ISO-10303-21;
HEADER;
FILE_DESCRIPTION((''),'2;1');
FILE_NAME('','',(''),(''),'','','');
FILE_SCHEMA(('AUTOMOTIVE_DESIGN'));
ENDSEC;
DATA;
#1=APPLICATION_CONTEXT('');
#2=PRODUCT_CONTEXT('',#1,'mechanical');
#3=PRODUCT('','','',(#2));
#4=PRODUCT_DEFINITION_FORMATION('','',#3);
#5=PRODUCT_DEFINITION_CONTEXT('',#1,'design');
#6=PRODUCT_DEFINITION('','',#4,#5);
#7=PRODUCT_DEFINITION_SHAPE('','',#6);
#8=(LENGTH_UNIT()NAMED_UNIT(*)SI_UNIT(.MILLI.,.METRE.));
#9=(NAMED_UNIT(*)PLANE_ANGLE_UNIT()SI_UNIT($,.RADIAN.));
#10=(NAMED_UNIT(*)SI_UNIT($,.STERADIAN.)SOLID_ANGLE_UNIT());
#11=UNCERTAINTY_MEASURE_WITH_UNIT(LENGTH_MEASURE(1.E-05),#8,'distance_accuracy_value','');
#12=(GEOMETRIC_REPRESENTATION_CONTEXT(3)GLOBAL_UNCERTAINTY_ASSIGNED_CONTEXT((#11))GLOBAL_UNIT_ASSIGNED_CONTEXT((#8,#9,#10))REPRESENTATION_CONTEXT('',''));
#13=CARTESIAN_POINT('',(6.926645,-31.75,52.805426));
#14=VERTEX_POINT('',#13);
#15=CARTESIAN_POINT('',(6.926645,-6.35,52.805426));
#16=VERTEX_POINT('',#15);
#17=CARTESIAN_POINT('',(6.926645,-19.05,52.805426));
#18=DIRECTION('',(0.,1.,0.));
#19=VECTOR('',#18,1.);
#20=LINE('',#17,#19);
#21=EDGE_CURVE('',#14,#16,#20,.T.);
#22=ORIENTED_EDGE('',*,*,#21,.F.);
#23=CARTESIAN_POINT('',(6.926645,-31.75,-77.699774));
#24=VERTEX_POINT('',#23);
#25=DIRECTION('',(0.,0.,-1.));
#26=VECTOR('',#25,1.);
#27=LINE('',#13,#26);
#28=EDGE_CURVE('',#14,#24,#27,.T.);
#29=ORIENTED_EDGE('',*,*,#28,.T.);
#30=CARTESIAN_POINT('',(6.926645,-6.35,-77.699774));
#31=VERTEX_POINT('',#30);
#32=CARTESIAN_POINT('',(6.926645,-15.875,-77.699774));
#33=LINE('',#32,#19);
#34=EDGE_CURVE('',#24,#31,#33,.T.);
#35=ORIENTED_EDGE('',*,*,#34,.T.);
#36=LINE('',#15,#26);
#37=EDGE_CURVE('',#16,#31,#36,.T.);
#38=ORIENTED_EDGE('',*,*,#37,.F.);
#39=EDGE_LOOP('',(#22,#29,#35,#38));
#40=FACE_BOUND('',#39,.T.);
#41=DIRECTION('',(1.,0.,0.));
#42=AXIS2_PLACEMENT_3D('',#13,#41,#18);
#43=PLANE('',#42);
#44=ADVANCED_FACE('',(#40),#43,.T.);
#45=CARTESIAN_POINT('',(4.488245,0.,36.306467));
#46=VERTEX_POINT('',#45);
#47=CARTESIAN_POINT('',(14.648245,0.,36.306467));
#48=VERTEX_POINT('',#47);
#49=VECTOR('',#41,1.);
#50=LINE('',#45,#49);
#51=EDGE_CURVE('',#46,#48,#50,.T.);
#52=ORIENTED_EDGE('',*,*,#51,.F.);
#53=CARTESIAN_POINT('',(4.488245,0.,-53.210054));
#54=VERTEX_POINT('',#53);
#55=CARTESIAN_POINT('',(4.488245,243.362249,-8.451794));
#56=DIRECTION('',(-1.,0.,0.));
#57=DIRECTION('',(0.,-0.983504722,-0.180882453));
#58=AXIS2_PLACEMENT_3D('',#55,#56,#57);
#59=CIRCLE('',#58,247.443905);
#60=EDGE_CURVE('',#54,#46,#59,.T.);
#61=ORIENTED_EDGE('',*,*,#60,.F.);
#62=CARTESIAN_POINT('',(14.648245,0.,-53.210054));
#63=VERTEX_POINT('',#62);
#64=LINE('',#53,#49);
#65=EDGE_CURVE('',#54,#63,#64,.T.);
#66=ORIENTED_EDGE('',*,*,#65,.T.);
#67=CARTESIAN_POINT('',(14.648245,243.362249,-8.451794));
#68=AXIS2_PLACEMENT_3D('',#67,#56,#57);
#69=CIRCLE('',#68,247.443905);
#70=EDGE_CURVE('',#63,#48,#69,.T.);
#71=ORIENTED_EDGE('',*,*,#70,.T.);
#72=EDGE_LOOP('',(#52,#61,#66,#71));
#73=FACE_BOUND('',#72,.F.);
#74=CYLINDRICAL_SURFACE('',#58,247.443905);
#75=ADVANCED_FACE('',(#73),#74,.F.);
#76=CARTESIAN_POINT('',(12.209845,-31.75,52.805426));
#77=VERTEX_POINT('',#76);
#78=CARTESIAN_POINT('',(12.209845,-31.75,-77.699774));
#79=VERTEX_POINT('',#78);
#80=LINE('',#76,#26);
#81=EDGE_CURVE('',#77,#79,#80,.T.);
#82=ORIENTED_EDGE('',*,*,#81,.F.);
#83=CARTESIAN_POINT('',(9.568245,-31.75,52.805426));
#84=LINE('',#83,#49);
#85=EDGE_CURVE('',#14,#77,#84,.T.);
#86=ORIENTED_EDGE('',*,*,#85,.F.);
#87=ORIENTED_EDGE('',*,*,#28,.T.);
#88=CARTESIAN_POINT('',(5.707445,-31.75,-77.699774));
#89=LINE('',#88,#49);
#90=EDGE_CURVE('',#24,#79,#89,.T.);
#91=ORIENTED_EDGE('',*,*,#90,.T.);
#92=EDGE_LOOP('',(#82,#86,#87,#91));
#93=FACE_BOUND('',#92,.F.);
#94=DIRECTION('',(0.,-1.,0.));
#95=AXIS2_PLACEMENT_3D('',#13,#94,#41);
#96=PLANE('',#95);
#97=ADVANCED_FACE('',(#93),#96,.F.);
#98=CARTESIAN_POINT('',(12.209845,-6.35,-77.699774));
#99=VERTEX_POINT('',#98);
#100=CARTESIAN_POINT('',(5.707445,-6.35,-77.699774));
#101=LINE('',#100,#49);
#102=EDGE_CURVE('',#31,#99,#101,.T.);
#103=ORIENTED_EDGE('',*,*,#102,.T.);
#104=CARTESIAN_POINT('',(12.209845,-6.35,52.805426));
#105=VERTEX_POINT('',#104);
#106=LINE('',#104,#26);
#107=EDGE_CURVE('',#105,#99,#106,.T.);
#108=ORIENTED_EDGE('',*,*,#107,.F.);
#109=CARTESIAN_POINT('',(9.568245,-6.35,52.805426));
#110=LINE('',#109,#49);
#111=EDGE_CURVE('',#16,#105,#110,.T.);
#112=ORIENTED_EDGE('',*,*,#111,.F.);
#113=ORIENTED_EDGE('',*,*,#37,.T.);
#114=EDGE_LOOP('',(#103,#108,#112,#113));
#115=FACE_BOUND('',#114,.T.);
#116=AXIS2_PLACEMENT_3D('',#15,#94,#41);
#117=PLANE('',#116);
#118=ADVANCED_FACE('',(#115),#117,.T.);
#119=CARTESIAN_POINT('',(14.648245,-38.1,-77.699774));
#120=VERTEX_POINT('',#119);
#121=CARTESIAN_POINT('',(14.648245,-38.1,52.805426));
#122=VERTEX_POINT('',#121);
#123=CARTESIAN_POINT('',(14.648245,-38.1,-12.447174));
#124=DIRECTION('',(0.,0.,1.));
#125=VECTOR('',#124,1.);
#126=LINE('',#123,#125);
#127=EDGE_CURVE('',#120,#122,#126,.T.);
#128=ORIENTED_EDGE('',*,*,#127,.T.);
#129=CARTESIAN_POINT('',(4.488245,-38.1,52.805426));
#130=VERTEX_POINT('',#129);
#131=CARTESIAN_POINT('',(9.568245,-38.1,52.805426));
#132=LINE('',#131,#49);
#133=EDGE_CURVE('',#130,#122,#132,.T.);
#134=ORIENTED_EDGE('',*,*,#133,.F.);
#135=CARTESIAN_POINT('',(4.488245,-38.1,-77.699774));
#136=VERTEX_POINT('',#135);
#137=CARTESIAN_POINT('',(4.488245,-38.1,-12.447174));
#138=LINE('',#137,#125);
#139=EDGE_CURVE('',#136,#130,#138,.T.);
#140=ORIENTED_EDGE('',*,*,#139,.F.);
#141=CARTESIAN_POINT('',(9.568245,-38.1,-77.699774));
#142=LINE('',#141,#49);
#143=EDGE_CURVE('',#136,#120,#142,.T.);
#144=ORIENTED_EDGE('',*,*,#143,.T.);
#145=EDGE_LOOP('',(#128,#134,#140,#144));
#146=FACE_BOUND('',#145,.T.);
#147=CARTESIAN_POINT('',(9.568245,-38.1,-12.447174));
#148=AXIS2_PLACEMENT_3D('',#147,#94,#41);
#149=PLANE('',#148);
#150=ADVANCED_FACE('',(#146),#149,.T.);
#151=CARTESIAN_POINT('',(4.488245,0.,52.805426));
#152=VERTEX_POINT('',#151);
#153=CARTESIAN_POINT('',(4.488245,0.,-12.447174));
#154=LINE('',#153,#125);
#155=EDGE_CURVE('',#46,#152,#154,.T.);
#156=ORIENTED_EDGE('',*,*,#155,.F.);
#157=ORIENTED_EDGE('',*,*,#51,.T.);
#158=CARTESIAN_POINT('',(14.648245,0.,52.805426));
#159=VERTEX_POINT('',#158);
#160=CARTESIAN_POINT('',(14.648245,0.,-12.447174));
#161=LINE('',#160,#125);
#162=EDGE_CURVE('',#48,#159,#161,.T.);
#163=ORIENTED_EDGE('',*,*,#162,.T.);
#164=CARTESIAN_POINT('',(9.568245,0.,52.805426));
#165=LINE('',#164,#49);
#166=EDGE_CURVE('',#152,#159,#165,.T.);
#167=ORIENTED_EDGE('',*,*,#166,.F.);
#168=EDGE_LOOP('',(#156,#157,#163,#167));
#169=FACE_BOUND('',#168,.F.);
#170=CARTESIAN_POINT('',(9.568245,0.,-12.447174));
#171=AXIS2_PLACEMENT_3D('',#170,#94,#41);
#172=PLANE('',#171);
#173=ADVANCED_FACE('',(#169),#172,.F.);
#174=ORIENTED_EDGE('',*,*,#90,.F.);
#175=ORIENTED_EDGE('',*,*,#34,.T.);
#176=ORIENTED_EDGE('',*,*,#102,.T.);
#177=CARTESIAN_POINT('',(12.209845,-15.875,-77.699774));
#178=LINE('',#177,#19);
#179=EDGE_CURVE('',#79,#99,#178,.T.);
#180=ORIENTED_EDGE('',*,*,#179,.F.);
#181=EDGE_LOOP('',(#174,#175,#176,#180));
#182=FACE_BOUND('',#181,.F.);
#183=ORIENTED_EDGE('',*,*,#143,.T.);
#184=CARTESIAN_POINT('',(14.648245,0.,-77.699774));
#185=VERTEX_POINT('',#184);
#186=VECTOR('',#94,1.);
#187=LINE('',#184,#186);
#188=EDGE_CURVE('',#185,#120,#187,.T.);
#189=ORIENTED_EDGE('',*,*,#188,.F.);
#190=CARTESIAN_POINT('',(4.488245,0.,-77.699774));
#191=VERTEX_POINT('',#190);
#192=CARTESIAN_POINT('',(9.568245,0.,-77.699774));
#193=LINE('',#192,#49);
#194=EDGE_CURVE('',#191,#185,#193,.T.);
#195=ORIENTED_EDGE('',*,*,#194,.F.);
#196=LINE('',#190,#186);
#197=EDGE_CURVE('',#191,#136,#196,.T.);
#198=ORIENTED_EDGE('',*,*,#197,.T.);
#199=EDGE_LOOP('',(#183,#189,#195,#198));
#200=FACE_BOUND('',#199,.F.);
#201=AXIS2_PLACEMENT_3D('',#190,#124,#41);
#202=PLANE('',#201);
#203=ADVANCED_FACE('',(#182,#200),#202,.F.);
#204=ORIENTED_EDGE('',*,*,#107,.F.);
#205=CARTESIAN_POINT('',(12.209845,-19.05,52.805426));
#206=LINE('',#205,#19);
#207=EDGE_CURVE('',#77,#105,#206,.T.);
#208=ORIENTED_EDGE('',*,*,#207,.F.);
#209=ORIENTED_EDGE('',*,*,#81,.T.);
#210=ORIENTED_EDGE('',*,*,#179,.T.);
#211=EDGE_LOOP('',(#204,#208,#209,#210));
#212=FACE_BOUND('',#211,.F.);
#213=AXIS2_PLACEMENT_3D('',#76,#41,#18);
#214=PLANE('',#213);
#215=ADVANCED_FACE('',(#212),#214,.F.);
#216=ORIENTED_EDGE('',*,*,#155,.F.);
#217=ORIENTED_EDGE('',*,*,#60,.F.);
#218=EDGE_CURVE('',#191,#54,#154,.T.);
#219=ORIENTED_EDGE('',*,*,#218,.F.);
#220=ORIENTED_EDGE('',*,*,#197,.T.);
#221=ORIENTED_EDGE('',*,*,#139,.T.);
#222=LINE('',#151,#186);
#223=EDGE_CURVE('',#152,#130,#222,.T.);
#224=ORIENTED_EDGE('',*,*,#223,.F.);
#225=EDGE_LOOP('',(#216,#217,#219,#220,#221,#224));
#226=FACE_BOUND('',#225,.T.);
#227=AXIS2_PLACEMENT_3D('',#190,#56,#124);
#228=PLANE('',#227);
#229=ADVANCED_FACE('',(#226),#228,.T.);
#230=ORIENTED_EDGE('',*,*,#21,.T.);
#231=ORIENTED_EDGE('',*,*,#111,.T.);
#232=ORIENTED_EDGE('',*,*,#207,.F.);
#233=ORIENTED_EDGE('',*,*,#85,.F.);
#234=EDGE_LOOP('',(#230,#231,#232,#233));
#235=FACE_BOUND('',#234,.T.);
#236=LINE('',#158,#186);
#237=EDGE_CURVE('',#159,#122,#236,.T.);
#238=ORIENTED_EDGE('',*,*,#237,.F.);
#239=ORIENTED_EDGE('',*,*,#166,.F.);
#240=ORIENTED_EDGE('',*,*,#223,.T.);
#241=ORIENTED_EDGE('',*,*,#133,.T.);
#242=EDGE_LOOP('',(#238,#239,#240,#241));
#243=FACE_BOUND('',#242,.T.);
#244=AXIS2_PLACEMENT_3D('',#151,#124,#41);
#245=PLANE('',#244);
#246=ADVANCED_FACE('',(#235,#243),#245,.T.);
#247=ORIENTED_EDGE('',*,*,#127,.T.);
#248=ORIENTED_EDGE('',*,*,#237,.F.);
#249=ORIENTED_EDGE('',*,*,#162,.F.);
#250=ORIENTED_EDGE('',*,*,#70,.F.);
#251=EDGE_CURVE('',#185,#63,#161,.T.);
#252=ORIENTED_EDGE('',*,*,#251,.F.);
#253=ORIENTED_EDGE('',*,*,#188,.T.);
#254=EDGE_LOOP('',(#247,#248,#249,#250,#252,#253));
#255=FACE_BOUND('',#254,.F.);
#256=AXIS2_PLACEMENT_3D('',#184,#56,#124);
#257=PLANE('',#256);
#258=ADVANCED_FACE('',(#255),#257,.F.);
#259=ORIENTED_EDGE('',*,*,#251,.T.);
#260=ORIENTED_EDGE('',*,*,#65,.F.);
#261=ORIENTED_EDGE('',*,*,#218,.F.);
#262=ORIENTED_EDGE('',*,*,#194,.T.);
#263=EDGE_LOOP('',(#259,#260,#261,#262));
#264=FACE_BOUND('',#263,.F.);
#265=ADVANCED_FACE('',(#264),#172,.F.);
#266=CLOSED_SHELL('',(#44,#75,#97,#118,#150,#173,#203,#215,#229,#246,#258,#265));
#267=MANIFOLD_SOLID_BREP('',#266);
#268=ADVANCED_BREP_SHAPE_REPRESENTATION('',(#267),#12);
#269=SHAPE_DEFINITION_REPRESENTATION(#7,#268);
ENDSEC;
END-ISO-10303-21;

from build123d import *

# Parameters (mm, degrees)
F0_W     = 10.16
F0_H     = 130.5052
F1_DEPTH = 38.1
F5_DEPTH = 25.4
F3_W     = 5.2832
F3_H     = 25.4
F6_DEPTH = 152.4


with BuildPart() as f1:
    # F0 (on Front) → F1 (new body)
    with BuildSketch(Plane.XZ):
        with Locations((9.568245, -12.447174)):
            Rectangle(F0_W, F0_H)
    extrude(amount=F1_DEPTH)

    # F4 (on face) → F5 (cut)
    with BuildSketch(Plane(origin=(4.488245, 0, 0), x_dir=(0, -1, 0), z_dir=(-1, 0, 0))):
        with BuildLine():
            Line((0, 36.306467), (0, -53.210054))
            ThreePointArc((0, -53.210054), (4.081656, -8.451793), (0, 36.306467))
        make_face()
    extrude(amount=-F5_DEPTH, mode=Mode.SUBTRACT)

    # F3 (on face) → F6 (cut)
    with BuildSketch(Plane.XY.offset(52.805426)):
        with Locations((9.568245, -19.05)):
            Rectangle(F3_W, F3_H)
    extrude(amount=-F6_DEPTH, mode=Mode.SUBTRACT)


solid = f1.part
